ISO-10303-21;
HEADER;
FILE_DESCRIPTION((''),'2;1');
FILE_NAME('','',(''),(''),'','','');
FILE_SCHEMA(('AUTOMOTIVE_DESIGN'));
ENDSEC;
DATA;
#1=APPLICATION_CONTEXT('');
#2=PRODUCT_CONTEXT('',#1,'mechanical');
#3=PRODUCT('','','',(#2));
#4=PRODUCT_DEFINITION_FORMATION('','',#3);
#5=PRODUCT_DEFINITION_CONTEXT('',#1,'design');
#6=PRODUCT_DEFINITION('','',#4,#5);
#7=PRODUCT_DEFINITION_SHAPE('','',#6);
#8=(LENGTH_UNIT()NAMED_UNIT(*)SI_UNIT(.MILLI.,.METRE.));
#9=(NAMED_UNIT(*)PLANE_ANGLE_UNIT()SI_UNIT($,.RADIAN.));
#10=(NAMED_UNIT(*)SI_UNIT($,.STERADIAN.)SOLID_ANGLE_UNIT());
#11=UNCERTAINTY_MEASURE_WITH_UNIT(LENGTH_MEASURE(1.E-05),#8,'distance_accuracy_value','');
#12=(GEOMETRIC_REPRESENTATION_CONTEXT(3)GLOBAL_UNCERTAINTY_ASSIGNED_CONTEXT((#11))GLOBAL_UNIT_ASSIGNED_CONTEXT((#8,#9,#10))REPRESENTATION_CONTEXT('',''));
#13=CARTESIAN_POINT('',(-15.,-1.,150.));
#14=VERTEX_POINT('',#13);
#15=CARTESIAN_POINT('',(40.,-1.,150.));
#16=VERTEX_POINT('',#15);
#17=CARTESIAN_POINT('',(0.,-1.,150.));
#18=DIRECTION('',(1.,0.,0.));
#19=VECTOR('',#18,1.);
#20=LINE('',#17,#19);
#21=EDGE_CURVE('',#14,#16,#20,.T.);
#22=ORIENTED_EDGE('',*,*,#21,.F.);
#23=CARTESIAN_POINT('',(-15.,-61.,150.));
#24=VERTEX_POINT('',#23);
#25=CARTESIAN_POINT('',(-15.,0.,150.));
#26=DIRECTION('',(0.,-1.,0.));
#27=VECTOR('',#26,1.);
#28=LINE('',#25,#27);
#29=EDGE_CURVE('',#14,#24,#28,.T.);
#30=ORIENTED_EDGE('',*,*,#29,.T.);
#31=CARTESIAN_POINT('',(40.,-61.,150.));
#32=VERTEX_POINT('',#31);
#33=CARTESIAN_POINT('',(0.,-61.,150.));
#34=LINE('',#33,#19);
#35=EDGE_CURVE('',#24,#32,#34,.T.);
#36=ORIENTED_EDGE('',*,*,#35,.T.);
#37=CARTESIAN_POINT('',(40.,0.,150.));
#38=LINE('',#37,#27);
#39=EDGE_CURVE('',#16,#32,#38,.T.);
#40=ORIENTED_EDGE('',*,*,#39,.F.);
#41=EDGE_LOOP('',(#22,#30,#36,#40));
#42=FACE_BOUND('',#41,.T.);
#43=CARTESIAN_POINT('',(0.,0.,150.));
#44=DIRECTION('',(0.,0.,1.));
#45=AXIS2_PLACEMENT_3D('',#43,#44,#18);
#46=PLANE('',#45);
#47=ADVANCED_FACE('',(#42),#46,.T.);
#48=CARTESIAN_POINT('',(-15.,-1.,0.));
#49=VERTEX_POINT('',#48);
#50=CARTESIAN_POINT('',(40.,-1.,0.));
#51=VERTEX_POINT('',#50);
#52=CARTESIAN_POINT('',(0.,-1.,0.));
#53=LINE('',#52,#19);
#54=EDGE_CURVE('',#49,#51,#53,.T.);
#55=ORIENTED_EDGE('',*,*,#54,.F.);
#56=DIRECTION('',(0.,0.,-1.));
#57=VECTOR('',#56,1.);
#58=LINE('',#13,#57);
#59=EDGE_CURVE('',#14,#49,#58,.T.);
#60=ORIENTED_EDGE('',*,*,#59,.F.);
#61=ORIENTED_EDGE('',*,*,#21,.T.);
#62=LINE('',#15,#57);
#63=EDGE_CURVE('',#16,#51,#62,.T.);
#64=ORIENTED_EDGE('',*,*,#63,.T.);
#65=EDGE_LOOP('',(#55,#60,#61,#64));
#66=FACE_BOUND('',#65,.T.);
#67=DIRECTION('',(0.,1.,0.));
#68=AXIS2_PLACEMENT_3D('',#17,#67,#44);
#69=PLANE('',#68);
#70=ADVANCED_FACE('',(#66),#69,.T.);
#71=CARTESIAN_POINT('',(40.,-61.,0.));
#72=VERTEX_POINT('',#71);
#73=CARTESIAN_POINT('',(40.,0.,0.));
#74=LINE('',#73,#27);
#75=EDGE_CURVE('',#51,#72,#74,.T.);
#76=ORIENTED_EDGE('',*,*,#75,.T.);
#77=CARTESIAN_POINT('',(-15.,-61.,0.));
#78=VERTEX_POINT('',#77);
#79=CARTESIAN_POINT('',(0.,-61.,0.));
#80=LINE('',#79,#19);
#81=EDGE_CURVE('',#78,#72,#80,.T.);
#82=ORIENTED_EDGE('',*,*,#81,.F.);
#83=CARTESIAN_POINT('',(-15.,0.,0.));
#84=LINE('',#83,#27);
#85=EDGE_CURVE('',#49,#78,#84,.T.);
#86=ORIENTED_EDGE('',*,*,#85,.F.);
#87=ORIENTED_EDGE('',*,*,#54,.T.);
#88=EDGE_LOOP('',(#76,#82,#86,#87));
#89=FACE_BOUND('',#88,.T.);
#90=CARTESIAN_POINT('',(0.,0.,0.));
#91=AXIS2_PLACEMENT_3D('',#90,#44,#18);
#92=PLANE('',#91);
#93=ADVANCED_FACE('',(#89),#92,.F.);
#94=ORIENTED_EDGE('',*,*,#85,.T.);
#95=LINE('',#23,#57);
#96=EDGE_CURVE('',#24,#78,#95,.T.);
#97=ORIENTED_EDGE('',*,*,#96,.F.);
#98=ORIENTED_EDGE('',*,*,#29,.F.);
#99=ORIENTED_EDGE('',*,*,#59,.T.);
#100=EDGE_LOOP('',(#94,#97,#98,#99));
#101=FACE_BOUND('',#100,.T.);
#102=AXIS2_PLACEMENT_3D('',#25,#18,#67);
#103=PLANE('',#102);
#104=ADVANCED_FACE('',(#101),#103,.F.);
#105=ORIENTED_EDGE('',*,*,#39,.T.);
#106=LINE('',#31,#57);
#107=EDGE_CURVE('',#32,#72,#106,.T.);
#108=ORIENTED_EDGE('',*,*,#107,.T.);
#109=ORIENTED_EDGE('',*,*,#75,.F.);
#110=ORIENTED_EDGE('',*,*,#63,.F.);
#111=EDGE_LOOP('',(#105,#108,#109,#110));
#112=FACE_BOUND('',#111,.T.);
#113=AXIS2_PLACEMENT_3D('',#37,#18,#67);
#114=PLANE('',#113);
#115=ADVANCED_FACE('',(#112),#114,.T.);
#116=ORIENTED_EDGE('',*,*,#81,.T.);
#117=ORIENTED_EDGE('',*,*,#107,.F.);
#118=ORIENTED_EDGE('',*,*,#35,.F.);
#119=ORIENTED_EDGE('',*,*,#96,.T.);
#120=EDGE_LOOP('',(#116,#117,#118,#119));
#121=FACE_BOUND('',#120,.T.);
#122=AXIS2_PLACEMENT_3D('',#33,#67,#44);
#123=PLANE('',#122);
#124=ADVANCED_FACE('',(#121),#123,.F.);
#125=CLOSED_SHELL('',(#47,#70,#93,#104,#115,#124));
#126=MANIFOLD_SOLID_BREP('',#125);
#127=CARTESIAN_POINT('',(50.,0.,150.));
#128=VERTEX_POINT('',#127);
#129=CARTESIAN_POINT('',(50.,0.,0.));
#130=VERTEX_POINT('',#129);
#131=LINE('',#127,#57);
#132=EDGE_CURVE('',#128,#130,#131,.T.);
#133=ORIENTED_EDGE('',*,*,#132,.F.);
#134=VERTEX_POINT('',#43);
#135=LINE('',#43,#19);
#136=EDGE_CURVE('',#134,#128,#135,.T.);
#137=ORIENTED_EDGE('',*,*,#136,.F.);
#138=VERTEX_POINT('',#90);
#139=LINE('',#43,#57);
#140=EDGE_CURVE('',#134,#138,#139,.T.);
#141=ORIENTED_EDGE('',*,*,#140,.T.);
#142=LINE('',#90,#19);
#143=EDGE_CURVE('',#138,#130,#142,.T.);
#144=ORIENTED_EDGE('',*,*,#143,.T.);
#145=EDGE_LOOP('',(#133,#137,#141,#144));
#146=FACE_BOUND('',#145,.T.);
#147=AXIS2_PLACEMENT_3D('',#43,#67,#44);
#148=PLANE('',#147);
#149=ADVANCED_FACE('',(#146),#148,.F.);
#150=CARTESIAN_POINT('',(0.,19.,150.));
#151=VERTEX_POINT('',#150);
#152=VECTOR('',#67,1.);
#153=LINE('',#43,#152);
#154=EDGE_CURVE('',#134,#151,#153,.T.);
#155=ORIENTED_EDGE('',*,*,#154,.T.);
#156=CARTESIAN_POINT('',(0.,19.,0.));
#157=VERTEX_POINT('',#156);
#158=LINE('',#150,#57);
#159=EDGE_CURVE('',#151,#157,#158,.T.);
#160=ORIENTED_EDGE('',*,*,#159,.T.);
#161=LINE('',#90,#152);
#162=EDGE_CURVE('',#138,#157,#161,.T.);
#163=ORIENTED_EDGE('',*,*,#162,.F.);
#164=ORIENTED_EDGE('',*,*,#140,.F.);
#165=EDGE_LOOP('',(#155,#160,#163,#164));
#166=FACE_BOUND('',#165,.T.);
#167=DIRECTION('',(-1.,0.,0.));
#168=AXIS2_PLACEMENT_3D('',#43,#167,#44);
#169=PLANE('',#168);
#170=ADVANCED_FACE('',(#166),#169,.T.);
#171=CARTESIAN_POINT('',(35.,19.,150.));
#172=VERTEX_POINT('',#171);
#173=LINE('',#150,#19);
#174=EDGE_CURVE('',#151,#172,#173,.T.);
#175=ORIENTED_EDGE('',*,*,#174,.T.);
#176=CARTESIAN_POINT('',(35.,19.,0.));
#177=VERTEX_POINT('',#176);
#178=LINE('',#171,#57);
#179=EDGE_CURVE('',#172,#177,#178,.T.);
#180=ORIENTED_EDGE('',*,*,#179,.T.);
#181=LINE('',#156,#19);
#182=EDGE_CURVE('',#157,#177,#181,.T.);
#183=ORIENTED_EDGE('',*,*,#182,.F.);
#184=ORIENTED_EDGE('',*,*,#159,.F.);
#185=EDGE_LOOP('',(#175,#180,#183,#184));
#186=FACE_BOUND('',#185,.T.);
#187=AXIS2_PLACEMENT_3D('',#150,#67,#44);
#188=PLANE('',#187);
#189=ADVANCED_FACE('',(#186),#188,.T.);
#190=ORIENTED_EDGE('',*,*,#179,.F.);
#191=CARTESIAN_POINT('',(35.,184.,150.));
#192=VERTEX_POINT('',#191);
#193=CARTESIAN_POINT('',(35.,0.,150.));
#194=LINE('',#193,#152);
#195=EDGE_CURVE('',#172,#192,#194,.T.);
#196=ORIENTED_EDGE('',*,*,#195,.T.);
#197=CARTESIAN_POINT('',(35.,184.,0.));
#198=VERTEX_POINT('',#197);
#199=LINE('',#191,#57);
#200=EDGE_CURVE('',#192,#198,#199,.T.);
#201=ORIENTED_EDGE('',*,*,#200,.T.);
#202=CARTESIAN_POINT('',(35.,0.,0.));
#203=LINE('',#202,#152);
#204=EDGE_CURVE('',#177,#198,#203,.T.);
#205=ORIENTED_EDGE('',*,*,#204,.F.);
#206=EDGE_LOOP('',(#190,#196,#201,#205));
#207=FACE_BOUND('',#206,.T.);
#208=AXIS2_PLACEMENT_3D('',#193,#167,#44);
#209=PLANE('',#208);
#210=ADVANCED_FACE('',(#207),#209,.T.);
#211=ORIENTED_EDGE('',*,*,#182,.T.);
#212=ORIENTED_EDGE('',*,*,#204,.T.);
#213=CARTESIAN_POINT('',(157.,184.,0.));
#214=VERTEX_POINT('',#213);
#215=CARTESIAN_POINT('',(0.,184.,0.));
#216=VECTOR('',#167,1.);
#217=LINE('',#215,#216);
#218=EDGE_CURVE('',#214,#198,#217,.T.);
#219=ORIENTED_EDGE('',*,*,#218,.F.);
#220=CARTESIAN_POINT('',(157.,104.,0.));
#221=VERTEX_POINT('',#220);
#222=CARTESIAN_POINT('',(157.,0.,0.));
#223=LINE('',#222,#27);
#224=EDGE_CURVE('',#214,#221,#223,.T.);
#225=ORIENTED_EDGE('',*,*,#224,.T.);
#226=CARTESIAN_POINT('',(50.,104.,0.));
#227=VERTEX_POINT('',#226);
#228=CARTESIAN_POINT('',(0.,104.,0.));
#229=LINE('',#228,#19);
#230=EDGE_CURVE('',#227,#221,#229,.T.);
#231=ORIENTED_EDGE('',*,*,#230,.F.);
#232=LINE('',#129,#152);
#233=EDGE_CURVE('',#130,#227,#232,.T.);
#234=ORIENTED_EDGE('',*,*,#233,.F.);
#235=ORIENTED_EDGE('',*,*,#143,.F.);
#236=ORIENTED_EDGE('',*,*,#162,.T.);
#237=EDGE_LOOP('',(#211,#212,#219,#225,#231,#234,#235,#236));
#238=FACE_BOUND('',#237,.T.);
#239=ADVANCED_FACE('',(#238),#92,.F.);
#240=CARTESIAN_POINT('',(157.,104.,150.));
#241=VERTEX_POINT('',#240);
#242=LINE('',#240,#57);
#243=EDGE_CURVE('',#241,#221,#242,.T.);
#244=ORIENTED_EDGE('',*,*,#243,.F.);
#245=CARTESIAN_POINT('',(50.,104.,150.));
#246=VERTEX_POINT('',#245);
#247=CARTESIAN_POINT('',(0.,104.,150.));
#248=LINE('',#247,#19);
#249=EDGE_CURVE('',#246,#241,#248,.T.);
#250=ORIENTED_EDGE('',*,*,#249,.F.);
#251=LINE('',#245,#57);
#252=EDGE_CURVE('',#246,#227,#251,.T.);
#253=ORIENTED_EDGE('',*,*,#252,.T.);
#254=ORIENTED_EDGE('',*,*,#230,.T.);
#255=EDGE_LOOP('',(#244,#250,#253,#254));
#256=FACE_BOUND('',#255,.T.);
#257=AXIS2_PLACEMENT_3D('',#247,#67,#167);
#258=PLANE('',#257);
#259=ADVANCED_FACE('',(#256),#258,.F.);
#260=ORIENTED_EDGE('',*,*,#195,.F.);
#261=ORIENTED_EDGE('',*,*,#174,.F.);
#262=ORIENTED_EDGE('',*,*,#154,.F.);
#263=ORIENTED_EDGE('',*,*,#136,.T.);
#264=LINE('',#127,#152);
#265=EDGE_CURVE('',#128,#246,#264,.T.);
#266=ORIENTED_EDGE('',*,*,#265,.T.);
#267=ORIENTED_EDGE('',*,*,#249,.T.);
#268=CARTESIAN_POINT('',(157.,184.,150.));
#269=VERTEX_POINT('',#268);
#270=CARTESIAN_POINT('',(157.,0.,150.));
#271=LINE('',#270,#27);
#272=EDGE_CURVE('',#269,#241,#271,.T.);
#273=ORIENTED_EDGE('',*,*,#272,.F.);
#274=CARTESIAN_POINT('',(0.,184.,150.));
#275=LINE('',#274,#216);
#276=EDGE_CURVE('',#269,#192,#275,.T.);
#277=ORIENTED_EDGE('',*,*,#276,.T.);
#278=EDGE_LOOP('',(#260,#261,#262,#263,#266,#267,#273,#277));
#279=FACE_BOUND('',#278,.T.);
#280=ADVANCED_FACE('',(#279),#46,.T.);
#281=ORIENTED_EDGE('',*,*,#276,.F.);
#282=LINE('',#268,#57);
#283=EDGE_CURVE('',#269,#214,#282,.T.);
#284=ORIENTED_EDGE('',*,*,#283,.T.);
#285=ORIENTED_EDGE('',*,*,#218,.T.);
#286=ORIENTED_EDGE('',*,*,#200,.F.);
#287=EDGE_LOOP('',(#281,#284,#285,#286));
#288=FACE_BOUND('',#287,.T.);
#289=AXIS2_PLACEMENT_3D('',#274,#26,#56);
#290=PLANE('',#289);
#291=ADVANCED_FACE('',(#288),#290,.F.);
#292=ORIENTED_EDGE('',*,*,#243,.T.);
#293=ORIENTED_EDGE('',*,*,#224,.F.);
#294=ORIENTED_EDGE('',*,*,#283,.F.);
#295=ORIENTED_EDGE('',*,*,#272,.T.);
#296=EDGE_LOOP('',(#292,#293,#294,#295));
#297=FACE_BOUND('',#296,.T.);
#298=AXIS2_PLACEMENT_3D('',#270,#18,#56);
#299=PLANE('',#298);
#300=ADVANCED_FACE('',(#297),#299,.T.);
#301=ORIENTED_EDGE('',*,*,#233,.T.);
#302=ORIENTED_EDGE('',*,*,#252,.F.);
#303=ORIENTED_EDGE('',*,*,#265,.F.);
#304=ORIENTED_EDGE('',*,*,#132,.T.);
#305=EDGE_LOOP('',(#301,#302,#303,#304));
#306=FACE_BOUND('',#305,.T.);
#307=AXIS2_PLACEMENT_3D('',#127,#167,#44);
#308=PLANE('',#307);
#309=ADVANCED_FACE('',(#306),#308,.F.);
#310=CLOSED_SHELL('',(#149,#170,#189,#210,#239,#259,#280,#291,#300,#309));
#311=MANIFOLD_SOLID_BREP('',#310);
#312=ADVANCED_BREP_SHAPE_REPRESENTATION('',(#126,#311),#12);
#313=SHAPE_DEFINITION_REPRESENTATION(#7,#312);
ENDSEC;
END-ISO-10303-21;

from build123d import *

# Parameters (mm, degrees)
SKETCH1_W           = 50
SKETCH1_H           = 19
SKETCH1_W_2         = 107
SKETCH1_H_2         = 80
SKETCH1_W_3         = 55
SKETCH1_H_3         = 60
BOSS_EXTRUDE1_DEPTH = 150


with BuildPart() as part:
    # Sketch1 → Boss-Extrude1 (new body)
    with BuildSketch(Plane.XY):
        with Locations((25, 9.5)):
            Rectangle(SKETCH1_W, SKETCH1_H)
        Polygon((50, 104), (50, 184), (35, 184), (35, 19), (50, 19), align=None)
        with Locations((103.5, 144)):
            Rectangle(SKETCH1_W_2, SKETCH1_H_2)
        with Locations((12.5, -31)):
            Rectangle(SKETCH1_W_3, SKETCH1_H_3)
    extrude(amount=BOSS_EXTRUDE1_DEPTH)


solid = part.part
